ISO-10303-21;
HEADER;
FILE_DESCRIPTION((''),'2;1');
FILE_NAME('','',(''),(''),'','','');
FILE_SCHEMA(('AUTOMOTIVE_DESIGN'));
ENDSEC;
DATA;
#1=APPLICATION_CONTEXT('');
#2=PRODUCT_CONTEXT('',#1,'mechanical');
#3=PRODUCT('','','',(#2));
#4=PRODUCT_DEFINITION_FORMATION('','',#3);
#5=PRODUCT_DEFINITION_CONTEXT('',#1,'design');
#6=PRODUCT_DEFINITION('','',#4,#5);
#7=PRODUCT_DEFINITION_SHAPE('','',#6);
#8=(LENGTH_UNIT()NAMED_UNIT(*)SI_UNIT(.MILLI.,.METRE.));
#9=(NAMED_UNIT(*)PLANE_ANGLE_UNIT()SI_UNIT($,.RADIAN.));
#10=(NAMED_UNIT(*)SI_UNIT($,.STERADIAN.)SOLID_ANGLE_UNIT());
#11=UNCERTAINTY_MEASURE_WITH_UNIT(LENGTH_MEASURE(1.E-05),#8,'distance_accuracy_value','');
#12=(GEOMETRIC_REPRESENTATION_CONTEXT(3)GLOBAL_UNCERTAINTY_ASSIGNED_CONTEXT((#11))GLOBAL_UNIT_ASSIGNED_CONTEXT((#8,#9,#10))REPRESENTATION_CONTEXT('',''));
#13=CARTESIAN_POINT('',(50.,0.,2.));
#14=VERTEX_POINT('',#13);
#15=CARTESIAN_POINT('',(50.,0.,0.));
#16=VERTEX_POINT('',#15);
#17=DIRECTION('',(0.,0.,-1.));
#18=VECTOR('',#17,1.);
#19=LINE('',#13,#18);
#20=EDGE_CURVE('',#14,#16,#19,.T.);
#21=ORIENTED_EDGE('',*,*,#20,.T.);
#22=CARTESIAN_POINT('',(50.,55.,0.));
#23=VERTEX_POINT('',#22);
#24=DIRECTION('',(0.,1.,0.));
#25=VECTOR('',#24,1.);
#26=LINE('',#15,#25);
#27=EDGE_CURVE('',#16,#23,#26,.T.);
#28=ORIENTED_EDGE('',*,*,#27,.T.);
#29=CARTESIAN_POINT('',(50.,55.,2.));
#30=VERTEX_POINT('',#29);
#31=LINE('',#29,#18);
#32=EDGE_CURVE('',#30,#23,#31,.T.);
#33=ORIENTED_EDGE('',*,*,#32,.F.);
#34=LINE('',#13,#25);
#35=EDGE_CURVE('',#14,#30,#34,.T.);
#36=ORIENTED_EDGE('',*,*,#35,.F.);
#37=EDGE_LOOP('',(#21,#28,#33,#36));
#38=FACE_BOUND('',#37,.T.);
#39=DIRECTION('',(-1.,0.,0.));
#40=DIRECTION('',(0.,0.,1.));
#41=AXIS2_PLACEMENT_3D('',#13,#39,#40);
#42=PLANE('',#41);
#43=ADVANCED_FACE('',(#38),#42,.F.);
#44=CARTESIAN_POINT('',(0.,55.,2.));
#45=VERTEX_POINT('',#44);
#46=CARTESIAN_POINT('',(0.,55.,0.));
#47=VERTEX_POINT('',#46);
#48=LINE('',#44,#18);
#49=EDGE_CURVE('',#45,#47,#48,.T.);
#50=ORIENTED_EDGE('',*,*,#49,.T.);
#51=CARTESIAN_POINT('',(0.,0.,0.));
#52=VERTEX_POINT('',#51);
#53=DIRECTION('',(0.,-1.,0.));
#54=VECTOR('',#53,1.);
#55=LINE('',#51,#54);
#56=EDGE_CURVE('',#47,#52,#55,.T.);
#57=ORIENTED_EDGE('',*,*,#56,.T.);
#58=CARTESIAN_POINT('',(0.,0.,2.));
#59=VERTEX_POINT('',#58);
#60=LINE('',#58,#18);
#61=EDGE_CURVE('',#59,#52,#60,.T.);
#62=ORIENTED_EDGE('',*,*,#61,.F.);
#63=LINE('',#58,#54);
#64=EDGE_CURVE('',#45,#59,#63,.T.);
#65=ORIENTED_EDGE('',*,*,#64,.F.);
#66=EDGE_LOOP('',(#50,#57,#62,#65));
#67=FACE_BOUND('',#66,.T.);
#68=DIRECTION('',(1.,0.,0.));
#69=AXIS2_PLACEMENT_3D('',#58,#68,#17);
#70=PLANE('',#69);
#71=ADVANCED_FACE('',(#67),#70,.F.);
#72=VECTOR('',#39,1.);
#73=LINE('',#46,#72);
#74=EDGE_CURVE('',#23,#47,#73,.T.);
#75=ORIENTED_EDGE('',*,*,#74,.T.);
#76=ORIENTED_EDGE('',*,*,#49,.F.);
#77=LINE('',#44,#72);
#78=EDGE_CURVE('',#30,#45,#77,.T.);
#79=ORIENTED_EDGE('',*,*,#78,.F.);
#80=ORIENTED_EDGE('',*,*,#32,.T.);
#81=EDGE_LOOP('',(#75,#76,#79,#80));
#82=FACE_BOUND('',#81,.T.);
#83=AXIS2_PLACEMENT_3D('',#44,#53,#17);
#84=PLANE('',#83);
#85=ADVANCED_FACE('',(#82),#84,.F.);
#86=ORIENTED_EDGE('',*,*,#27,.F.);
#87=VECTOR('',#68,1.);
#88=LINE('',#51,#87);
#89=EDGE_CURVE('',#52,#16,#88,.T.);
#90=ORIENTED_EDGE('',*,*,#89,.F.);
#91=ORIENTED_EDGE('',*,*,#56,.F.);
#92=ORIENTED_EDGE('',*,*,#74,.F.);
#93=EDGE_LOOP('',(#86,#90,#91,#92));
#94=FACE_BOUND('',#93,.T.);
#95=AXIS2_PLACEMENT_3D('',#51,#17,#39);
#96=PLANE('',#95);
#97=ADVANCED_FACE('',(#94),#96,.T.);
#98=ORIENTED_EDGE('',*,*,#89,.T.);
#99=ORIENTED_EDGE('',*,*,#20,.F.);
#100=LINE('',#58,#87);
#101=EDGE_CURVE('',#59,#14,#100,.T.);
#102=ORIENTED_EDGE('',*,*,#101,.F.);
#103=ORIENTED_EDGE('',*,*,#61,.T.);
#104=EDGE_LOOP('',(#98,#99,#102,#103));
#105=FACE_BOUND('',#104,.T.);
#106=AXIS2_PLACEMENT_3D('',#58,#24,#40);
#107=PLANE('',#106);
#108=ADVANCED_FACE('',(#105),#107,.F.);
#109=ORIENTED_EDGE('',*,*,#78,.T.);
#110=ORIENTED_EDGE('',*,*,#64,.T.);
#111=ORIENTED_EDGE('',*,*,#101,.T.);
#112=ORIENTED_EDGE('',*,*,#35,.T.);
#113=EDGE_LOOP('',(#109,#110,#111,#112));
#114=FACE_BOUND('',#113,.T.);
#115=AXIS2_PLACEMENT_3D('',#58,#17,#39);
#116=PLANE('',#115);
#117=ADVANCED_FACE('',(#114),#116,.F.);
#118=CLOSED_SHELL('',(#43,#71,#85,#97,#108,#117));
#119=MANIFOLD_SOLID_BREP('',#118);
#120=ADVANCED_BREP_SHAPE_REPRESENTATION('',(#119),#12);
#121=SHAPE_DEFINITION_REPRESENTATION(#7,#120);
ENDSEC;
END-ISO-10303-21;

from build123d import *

# Parameters (mm, degrees)
SKETCH1_W     = 50
SKETCH1_H     = 55
PROFILE_DEPTH = 2


with BuildPart() as part:
    # Sketch1 → Profile (new body)
    with BuildSketch(Plane.XY):
        with Locations((25, 27.5)):
            Rectangle(SKETCH1_W, SKETCH1_H)
    extrude(amount=PROFILE_DEPTH)


solid = part.part
